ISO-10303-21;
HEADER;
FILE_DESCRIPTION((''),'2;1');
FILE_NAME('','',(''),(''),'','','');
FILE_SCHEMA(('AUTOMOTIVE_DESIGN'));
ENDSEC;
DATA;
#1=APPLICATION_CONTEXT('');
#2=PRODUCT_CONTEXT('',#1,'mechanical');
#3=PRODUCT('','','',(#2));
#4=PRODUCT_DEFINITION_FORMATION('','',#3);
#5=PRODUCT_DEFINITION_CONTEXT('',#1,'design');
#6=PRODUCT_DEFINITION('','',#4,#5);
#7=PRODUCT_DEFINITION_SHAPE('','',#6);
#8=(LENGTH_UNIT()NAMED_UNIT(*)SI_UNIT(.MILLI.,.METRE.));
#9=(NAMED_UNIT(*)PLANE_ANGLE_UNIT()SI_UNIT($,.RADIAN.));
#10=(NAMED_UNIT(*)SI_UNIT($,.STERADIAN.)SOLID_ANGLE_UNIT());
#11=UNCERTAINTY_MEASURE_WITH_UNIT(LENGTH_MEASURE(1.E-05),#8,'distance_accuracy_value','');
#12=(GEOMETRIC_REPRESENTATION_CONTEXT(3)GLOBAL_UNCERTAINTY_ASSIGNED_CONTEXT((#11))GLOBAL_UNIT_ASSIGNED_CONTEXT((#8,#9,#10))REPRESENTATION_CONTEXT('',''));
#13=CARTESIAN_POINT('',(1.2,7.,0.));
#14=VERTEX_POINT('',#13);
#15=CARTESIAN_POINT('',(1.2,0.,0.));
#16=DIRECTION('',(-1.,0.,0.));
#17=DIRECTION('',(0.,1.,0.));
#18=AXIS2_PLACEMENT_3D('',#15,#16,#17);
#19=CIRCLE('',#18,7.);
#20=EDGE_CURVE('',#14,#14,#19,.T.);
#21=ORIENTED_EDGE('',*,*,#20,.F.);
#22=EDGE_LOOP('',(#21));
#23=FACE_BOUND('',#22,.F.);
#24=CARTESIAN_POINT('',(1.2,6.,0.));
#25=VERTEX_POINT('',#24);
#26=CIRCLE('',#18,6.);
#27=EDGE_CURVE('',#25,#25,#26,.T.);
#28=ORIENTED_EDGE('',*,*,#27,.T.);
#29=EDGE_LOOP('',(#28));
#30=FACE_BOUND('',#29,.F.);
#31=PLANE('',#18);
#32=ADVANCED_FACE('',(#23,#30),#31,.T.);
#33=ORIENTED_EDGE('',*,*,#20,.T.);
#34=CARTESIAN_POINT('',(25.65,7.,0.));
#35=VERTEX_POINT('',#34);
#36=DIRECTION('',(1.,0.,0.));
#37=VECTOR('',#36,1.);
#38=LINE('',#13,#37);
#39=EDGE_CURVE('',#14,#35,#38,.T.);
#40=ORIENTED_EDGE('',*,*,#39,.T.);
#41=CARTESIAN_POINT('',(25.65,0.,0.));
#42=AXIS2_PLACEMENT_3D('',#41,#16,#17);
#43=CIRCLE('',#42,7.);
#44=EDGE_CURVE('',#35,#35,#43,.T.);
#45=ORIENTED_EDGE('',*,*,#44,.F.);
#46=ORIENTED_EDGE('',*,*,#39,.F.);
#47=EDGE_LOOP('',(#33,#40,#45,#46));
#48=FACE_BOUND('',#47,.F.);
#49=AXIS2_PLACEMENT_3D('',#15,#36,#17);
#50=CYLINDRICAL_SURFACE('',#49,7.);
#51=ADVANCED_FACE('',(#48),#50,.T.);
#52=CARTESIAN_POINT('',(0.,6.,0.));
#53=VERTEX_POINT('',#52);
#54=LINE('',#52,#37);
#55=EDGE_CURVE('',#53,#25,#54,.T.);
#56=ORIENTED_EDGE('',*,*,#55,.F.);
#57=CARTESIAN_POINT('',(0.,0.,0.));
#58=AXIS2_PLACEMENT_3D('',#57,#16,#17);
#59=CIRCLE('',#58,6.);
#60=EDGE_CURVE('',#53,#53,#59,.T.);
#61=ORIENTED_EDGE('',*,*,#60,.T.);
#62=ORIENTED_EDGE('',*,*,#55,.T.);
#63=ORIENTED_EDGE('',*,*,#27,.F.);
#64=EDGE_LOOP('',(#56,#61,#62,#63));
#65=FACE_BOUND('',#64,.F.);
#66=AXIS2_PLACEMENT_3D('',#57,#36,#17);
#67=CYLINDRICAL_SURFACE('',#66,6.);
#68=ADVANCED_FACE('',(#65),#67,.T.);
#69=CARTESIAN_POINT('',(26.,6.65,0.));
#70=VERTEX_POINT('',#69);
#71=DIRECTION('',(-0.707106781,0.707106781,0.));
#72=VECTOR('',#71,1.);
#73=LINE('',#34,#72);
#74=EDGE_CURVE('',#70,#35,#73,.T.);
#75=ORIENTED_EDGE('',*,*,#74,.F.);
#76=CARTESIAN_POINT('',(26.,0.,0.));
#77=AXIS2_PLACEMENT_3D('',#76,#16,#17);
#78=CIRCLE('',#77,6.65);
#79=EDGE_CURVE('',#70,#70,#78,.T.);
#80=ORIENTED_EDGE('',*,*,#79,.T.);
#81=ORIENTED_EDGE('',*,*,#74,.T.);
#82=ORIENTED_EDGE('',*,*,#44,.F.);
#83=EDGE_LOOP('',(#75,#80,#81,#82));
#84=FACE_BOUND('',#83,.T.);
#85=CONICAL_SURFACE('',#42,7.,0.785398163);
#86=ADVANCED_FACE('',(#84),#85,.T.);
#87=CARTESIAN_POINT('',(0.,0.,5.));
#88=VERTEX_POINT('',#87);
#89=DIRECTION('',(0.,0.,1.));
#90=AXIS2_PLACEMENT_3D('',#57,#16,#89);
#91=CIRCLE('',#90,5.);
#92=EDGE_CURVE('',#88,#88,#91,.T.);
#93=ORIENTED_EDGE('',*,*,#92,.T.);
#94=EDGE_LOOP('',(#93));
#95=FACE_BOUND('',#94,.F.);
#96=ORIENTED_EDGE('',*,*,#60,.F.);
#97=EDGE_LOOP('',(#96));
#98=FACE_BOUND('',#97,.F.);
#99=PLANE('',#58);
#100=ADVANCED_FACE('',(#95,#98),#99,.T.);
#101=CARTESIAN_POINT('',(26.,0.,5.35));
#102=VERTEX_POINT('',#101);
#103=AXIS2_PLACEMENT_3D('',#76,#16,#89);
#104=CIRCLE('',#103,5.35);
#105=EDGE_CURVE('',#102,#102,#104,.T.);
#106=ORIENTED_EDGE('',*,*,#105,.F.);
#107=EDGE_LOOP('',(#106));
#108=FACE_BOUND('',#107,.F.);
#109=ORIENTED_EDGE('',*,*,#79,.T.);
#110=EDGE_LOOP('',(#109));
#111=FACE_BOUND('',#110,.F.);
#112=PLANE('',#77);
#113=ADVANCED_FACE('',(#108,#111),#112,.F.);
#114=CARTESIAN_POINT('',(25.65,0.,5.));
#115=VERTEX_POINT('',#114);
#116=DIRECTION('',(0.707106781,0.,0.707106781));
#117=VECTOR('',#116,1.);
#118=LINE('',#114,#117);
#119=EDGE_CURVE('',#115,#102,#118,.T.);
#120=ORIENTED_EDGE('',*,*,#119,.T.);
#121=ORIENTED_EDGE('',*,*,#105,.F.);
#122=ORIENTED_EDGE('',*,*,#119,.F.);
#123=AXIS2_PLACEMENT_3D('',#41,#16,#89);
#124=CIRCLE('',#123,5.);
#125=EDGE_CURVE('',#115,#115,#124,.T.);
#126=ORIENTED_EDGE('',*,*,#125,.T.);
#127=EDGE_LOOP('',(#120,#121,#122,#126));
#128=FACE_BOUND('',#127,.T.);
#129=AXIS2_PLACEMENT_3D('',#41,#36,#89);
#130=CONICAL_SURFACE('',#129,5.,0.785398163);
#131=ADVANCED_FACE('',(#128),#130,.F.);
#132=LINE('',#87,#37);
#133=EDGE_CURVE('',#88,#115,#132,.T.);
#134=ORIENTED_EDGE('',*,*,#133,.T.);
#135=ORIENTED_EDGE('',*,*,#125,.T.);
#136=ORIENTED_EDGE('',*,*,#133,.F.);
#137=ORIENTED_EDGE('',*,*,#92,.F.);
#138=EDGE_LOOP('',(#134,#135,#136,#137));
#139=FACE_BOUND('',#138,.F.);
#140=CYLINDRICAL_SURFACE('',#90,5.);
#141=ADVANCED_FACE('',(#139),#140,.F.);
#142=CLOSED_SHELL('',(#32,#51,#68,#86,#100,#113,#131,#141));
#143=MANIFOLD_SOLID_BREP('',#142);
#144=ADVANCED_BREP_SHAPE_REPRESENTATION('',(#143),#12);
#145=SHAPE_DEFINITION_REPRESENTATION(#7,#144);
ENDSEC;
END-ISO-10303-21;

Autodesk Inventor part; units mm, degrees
ref_plane "YZ Plane" through (0, 0, 0) normal (1, 0, 0) x (0, 1, 0)
ref_plane "XZ Plane" through (0, 0, 0) normal (0, 1, 0) x (-1, 0, 0)
ref_plane "XY Plane" through (0, 0, 0) normal (0, 0, 1) x (1, 0, 0)
sketch "Skizze2" plane through (0, 0, 0) normal (0, 0, 1) x (1, 0, 0)
  line L0 (0, 0) -> (0, 6)
  line L1 (0, 6) -> (1.2, 6)
  line L2 (1.2, 6) -> (1.2, 7)
  line L3 (1.2, 7) -> (26, 7)
  line L4 (26, 7) -> (26, 0)
  line L5 (26, 0) -> (0, 0)
  dimension "d0" = 26
  dimension "d1" = 14
  dimension "d2" = 12
  dimension "d3" = 1.2
revolve "Umdrehung1" add sketch "Skizze2" angle 360 about axis through (26, 0, 0) along (-1, 0, 0)
sketch "Skizze3" plane through (0, 0, 0) normal (-1, 0, 0) x (0, 0, 1)
  circle A0 centre (0, 0) radius 5
  dimension "d5" = 10
extrude "Extrusion1" cut sketch "Skizze3" against normal up to surface (26 mm away)
chamfer "Fasen1" distance 0.35 angle 45 2 edges at (26, 0, -5) (26, -7, 0)
properties part number "Ak zylinder" material "Messing, weicher Gelbton, geschweißt"
